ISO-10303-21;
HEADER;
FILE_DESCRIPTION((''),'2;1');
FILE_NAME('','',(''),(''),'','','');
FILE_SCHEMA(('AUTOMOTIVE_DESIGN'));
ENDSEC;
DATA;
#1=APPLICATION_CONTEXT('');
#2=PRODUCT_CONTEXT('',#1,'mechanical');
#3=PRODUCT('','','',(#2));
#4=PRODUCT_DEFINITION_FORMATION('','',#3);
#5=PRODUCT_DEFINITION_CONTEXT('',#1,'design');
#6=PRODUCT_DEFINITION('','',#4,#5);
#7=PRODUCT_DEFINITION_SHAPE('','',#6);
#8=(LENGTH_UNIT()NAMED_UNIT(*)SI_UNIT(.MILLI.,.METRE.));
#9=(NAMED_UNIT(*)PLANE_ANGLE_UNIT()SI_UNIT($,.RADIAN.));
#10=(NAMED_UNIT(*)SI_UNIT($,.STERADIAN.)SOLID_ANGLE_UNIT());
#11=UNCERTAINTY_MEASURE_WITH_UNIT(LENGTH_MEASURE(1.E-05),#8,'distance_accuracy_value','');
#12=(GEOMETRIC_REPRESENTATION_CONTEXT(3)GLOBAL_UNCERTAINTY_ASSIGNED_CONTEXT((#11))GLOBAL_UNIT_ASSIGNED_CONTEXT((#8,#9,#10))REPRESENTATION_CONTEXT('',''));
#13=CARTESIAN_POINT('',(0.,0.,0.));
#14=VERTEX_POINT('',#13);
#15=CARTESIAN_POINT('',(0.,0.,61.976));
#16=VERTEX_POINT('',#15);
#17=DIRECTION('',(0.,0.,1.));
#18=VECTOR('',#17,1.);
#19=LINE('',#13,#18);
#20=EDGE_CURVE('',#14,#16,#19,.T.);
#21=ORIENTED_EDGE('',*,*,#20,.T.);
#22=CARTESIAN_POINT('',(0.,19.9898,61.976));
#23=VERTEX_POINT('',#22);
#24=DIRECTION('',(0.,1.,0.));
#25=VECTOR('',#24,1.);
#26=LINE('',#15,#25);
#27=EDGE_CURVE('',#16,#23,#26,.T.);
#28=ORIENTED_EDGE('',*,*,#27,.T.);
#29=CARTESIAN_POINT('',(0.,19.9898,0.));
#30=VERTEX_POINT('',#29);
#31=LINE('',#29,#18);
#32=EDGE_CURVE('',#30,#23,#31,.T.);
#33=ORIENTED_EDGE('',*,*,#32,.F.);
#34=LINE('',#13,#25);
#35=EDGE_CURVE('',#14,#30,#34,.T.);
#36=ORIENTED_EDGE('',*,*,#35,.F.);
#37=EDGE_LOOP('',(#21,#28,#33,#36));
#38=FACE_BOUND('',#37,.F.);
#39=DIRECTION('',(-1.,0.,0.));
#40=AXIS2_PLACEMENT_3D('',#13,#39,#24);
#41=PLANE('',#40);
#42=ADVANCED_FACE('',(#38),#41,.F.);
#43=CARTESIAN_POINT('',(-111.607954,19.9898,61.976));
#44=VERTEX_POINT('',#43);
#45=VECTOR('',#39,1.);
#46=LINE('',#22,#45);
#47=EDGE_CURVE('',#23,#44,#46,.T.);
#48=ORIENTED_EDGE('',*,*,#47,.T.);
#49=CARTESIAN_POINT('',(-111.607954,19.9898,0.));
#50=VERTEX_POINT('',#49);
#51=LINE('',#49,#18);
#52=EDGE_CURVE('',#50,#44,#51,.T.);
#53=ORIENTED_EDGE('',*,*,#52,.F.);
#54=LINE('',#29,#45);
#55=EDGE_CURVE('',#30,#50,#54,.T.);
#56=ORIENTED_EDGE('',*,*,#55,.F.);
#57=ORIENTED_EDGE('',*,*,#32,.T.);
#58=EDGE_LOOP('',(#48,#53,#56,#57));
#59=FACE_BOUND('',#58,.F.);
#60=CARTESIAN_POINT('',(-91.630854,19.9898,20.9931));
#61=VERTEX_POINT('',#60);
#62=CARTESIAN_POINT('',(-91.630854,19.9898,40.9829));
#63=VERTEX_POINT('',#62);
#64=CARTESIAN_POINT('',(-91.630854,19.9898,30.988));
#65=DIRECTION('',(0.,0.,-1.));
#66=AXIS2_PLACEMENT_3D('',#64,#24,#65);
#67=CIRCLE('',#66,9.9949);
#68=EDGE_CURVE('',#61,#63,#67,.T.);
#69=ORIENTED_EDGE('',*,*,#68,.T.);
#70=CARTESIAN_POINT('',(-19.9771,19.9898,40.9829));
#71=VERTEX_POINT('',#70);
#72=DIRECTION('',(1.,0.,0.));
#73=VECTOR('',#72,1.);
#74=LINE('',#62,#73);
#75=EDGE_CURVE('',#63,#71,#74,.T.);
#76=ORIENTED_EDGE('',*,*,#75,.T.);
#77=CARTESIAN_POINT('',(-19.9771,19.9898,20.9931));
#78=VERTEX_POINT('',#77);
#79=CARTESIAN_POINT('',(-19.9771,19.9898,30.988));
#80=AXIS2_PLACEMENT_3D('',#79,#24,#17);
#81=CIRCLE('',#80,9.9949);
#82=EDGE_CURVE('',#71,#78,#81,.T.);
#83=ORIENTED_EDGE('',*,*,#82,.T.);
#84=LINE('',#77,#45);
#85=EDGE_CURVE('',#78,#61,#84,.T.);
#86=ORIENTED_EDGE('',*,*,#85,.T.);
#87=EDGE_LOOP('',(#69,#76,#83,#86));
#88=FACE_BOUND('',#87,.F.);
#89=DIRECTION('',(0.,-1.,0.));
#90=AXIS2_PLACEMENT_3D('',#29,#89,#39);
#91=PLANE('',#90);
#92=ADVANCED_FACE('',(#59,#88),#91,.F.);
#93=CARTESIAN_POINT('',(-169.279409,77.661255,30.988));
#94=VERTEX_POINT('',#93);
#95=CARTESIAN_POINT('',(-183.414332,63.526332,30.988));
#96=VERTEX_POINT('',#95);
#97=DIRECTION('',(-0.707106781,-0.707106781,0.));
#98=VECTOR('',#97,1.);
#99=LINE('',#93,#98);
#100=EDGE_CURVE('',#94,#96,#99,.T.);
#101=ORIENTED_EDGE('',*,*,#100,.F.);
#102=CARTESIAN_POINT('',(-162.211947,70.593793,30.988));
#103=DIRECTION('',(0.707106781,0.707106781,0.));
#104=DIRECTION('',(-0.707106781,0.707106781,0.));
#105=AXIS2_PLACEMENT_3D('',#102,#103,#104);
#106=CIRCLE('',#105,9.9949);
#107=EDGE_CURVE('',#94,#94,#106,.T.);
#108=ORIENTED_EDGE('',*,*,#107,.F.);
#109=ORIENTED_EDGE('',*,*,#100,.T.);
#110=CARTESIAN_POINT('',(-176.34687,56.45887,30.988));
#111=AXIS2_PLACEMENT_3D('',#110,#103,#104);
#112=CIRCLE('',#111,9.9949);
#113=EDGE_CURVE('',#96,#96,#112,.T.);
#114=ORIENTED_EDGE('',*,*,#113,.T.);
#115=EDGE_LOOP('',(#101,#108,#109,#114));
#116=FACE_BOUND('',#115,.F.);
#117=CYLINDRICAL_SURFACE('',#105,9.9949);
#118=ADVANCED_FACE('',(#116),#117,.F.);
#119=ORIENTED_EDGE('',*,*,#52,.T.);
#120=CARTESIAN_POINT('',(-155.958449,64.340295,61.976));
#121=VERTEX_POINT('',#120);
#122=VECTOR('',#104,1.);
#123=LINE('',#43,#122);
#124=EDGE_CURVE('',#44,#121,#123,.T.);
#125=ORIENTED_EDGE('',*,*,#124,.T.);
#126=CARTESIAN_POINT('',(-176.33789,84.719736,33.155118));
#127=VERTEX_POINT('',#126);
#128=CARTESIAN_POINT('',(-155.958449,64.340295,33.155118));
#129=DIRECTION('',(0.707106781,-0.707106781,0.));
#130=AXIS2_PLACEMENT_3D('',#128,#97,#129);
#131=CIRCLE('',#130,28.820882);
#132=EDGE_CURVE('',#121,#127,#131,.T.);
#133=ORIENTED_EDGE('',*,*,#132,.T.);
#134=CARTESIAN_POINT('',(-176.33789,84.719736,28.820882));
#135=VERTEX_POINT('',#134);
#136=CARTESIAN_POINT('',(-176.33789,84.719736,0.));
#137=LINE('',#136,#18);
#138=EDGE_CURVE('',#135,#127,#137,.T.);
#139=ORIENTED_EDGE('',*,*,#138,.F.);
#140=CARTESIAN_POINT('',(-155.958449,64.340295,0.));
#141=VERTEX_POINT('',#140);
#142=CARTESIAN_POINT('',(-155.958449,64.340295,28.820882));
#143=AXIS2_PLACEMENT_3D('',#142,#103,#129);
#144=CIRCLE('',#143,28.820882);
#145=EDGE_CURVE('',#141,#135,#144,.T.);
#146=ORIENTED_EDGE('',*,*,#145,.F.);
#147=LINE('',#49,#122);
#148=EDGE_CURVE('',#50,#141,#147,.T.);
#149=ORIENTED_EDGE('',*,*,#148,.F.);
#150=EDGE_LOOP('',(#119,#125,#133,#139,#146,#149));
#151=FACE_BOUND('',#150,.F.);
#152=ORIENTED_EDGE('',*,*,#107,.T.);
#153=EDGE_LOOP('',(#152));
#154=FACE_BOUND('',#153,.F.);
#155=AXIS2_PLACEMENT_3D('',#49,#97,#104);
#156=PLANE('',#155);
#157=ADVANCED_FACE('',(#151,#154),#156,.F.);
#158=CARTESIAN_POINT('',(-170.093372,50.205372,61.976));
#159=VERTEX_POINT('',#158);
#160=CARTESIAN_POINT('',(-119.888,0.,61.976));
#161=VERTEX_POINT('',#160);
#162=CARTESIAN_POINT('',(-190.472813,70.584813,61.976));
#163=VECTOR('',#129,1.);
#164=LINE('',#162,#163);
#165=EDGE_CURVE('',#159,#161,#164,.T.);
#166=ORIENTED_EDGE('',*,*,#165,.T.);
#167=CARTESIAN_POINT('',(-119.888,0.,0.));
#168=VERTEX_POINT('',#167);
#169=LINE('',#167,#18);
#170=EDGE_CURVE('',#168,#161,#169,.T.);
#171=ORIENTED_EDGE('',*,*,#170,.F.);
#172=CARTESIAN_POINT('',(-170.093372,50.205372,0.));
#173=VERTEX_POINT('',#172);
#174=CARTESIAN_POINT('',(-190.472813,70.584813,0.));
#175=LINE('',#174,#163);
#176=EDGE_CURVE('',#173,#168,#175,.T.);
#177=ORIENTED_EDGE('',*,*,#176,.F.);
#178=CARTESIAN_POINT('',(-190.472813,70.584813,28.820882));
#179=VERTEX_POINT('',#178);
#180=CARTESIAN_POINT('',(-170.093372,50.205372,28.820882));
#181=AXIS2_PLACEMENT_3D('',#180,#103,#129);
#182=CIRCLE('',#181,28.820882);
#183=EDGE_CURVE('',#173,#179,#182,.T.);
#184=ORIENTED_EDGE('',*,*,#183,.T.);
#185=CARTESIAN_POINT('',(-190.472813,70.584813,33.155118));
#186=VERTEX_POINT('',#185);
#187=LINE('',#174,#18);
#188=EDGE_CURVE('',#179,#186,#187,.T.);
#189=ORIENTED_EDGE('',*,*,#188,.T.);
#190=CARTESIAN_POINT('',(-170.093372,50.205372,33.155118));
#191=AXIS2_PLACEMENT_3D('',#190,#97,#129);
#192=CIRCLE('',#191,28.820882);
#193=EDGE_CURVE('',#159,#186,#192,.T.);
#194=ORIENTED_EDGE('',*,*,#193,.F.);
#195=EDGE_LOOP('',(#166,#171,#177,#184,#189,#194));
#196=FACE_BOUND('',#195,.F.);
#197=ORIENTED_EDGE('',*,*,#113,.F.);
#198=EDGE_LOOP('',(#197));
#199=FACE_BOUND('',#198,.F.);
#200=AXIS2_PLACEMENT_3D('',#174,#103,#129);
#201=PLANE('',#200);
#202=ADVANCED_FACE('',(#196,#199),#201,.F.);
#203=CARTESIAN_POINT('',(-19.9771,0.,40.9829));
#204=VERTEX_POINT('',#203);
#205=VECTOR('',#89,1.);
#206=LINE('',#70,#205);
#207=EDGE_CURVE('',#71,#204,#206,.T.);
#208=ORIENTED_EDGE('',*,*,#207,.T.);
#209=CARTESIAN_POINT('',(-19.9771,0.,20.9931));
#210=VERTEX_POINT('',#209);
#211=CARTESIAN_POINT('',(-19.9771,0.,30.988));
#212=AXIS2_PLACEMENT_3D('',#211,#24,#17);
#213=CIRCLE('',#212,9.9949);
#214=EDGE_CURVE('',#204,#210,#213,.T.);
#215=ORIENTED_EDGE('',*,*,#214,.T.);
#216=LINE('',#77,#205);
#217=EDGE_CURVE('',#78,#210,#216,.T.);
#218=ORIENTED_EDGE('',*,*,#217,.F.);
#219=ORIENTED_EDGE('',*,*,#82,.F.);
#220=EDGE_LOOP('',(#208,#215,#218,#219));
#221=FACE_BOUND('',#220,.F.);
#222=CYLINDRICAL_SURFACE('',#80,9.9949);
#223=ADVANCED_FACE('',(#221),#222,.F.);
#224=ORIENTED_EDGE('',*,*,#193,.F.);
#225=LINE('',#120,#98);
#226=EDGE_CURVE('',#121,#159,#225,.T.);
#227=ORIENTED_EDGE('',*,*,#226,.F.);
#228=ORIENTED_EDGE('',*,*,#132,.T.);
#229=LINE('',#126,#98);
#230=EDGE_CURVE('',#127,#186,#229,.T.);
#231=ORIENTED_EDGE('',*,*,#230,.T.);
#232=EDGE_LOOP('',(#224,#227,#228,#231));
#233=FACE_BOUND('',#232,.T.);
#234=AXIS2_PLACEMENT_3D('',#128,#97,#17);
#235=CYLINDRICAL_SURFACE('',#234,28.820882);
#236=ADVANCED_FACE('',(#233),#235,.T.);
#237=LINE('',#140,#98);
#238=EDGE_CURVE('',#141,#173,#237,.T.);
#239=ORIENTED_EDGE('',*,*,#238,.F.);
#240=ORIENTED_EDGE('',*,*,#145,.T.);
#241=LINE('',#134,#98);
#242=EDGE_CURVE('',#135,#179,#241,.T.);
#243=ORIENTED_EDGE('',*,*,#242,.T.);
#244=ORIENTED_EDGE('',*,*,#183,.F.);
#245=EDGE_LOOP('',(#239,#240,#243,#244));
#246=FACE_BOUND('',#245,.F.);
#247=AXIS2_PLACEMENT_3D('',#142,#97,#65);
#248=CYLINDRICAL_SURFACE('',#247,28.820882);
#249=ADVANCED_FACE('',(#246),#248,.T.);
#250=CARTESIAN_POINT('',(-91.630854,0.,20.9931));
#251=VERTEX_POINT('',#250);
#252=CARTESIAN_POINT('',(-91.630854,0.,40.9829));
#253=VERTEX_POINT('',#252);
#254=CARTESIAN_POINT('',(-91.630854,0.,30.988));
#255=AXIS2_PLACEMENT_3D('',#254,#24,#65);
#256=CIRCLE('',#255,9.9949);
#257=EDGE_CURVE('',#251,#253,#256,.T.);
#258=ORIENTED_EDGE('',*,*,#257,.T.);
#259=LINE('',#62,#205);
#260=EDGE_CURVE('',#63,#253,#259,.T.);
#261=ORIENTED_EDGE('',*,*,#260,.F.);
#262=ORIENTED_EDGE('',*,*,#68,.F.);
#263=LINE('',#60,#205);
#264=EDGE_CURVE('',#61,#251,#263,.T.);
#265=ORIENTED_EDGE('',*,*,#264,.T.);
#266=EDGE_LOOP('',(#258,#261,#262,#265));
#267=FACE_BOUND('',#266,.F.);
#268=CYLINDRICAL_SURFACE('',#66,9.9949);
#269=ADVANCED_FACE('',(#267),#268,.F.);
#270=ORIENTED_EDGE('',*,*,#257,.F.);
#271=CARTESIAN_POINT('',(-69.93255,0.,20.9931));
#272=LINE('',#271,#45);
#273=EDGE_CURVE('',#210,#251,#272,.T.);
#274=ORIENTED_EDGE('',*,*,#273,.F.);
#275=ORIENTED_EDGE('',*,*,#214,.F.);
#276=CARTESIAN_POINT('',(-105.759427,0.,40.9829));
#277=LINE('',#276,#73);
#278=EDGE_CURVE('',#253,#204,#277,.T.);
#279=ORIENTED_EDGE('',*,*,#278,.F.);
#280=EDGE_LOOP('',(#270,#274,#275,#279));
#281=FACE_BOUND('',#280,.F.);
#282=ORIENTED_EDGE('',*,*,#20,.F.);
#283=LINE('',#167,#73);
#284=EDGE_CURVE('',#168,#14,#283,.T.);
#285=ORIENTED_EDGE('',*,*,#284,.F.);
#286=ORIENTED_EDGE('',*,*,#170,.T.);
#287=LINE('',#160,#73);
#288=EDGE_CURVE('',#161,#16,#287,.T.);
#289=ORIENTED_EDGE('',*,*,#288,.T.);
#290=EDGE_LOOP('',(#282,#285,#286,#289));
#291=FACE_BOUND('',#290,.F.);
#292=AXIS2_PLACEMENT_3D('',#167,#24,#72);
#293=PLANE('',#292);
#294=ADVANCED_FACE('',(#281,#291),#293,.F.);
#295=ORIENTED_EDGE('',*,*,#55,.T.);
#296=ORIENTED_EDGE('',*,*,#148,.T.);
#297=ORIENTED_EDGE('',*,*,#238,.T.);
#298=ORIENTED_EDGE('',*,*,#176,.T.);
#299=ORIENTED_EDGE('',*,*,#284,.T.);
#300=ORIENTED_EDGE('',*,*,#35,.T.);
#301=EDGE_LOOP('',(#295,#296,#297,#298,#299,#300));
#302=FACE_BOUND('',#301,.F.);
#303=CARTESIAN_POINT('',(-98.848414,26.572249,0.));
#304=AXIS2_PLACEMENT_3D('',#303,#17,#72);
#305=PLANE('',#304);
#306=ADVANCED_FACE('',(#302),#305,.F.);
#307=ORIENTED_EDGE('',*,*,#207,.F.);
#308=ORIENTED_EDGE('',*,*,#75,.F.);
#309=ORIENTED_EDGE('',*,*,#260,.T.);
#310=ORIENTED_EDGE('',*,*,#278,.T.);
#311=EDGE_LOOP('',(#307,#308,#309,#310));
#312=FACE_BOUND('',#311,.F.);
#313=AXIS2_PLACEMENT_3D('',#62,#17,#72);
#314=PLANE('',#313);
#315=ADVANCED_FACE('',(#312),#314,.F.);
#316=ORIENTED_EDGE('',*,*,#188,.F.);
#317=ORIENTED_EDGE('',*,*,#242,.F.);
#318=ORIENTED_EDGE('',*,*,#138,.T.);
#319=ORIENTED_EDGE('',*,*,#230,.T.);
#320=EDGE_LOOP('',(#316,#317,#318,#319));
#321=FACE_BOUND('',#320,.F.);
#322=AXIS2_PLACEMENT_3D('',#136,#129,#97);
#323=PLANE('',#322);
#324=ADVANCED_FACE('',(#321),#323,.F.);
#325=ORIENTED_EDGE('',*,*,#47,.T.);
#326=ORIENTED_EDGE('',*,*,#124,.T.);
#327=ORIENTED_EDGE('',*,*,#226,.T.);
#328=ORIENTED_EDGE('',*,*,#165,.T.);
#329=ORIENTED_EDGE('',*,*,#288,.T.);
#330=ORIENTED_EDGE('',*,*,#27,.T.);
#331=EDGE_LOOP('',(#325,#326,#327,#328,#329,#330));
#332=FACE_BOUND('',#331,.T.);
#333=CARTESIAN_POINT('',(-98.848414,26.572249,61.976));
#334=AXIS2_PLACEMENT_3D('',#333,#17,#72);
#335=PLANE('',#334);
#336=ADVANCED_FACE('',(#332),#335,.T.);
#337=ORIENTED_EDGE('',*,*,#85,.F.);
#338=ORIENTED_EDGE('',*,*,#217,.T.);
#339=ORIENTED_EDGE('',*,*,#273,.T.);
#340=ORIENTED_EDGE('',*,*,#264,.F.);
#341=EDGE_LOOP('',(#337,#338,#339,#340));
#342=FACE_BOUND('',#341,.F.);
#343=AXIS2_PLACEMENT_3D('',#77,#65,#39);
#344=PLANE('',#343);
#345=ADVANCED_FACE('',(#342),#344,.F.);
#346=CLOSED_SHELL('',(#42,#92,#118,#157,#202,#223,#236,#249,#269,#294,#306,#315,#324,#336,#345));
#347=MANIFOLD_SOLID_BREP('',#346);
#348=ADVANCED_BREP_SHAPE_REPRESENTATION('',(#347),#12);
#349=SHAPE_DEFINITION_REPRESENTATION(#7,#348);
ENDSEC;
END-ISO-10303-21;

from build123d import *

# Parameters (mm, degrees)
F1_DEPTH = 61.976
F3_DEPTH = 35.814
F4_R     = 9.9949
F5_DEPTH = 42.926
F6_R     = 28.820882


with BuildPart() as f1:
    # F0 (on Top) → F1 (new body)
    with BuildSketch(Plane.XY):
        Polygon((-119.888, 0), (0, 0), (0, 19.9898), (-111.607954, 19.9898), (-176.33789, 84.719736), (-190.472813, 70.584813), align=None)
    extrude(amount=F1_DEPTH)

    # F2 (on face) → F3 (cut)
    with BuildSketch(Plane(origin=(0, 19.9898, 0), x_dir=(-1, 0, 0), z_dir=(0, 1, 0))):
        with BuildLine():
            Line((91.630854, 40.9829), (19.9771, 40.9829))
            ThreePointArc((19.9771, 40.9829), (9.9822, 30.988), (19.9771, 20.9931))
            Line((19.9771, 20.9931), (91.630854, 20.9931))
            ThreePointArc((91.630854, 20.9931), (101.625754, 30.988), (91.630854, 40.9829))
        make_face()
    extrude(amount=-F3_DEPTH, mode=Mode.SUBTRACT)

    # F4 (on face) → F5 (cut)
    with BuildSketch(Plane(origin=(-45.809077, -45.809077, 0), x_dir=(-0.707107, 0.707107, 0), z_dir=(0.707107, 0.707107, 0))):
        with Locations((164.618518, 30.988)):
            Circle(F4_R)
    extrude(amount=-F5_DEPTH, mode=Mode.SUBTRACT)

    # F6
    f6_edges = [f1.edges().sort_by_distance(p)[0] for p in [
        (-183.405352, 77.652275, 0),
        (-183.405352, 77.652275, 61.976),
    ]]
    fillet(f6_edges, radius=F6_R)


solid = f1.part
